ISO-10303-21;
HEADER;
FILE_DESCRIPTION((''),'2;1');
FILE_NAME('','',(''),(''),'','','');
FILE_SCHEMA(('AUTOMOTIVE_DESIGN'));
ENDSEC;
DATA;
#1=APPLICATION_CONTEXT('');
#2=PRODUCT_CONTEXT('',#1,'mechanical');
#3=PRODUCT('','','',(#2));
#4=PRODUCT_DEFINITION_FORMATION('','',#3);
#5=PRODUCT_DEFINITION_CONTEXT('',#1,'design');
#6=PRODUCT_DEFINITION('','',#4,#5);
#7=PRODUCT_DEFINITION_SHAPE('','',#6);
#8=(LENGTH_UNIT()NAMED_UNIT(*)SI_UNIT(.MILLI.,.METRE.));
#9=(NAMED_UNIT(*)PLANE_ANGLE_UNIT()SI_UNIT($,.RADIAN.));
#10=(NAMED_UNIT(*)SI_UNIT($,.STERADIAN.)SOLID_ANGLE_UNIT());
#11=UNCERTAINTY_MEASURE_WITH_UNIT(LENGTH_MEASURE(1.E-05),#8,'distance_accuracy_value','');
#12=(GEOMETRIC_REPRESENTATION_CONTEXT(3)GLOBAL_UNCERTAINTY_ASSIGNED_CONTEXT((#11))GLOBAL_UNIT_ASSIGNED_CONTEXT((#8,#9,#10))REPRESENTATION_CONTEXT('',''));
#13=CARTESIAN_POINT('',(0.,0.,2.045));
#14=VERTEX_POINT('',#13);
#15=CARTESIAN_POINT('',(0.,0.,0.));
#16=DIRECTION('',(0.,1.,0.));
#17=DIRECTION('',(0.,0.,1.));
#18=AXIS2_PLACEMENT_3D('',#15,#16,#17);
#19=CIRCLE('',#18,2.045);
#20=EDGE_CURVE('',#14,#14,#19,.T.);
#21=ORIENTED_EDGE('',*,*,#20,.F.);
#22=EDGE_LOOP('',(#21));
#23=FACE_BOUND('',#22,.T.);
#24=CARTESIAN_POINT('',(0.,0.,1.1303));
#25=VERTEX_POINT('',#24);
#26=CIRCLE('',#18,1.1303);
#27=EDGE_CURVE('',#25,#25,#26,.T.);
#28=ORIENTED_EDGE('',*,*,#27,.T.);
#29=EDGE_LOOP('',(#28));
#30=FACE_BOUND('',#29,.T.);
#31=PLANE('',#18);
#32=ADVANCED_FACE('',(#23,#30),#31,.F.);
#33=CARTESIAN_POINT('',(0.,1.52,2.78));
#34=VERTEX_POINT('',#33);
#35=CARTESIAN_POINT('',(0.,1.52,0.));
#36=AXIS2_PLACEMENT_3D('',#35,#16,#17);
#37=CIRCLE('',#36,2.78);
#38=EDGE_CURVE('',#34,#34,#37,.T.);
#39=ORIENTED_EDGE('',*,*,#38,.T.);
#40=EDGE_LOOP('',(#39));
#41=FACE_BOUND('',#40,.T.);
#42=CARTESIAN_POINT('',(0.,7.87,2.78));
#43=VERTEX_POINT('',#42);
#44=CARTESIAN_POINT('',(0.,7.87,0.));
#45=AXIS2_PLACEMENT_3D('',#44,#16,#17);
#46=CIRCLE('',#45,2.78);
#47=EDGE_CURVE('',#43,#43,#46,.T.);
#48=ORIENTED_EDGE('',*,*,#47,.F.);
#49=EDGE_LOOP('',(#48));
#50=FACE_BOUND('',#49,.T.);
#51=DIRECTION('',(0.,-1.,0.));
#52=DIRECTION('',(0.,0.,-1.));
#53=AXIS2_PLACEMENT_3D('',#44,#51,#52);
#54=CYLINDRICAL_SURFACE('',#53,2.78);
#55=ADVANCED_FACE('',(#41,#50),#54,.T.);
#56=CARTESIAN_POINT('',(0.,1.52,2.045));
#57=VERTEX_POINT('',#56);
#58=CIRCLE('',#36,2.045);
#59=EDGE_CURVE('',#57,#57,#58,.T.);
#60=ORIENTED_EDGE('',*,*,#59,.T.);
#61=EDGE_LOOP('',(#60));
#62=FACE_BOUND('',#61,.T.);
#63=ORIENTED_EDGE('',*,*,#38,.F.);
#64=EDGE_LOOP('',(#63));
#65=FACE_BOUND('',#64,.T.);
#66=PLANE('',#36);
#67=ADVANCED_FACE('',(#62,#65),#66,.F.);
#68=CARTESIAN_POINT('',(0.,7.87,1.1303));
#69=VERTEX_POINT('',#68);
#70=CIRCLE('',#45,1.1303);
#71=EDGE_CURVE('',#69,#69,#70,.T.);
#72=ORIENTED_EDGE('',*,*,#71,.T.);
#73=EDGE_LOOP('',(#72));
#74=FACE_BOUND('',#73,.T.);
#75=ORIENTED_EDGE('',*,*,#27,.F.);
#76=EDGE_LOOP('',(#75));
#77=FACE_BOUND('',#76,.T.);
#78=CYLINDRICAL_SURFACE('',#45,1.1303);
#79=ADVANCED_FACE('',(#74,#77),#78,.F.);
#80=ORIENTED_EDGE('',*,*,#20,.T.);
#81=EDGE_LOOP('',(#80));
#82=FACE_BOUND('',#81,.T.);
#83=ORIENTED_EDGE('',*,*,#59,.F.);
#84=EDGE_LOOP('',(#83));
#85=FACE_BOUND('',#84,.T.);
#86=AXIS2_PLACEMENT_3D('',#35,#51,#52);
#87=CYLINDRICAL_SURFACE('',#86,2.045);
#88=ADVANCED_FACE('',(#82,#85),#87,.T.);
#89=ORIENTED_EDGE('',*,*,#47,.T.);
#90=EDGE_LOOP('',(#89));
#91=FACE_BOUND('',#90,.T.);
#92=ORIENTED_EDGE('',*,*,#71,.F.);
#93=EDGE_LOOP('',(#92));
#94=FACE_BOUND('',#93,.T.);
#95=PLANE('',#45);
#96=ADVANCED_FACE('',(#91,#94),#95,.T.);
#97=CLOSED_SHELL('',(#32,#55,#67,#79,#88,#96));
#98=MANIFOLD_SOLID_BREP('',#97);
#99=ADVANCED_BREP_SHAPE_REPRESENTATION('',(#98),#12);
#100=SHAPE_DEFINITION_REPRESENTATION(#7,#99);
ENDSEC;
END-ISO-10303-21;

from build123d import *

# Parameters (mm, degrees)
SKETCH1_R             = 2.045
BOSS_EXTRUDE1_DEPTH   = 1.52
SKETCH2_R             = 2.78
BOSS_EXTRUDE2_DEPTH   = 6.35
F_4_40_TAPPED_HOLE1_D = 2.2606


with BuildPart() as part:
    # Sketch1 → Boss-Extrude1 (new body)
    with BuildSketch(Plane(origin=(0, 0, 0), x_dir=(1, 0, 0), z_dir=(0, 1, 0))):
        Circle(SKETCH1_R)
    extrude(amount=BOSS_EXTRUDE1_DEPTH)

    # Sketch2 → Boss-Extrude2 (add)
    with BuildSketch(Plane(origin=(0, 1.52, 0), x_dir=(1, 0, 0), z_dir=(0, 1, 0))):
        Circle(SKETCH2_R)
    extrude(amount=BOSS_EXTRUDE2_DEPTH)

    # #4-40 Tapped Hole1 (through all)
    with Locations(Plane(origin=(0, 7.87, 0), x_dir=(1, 0, 0), z_dir=(0, 1, 0))):
        with Locations((0, 0)):
            Hole(F_4_40_TAPPED_HOLE1_D / 2)


solid = part.part
